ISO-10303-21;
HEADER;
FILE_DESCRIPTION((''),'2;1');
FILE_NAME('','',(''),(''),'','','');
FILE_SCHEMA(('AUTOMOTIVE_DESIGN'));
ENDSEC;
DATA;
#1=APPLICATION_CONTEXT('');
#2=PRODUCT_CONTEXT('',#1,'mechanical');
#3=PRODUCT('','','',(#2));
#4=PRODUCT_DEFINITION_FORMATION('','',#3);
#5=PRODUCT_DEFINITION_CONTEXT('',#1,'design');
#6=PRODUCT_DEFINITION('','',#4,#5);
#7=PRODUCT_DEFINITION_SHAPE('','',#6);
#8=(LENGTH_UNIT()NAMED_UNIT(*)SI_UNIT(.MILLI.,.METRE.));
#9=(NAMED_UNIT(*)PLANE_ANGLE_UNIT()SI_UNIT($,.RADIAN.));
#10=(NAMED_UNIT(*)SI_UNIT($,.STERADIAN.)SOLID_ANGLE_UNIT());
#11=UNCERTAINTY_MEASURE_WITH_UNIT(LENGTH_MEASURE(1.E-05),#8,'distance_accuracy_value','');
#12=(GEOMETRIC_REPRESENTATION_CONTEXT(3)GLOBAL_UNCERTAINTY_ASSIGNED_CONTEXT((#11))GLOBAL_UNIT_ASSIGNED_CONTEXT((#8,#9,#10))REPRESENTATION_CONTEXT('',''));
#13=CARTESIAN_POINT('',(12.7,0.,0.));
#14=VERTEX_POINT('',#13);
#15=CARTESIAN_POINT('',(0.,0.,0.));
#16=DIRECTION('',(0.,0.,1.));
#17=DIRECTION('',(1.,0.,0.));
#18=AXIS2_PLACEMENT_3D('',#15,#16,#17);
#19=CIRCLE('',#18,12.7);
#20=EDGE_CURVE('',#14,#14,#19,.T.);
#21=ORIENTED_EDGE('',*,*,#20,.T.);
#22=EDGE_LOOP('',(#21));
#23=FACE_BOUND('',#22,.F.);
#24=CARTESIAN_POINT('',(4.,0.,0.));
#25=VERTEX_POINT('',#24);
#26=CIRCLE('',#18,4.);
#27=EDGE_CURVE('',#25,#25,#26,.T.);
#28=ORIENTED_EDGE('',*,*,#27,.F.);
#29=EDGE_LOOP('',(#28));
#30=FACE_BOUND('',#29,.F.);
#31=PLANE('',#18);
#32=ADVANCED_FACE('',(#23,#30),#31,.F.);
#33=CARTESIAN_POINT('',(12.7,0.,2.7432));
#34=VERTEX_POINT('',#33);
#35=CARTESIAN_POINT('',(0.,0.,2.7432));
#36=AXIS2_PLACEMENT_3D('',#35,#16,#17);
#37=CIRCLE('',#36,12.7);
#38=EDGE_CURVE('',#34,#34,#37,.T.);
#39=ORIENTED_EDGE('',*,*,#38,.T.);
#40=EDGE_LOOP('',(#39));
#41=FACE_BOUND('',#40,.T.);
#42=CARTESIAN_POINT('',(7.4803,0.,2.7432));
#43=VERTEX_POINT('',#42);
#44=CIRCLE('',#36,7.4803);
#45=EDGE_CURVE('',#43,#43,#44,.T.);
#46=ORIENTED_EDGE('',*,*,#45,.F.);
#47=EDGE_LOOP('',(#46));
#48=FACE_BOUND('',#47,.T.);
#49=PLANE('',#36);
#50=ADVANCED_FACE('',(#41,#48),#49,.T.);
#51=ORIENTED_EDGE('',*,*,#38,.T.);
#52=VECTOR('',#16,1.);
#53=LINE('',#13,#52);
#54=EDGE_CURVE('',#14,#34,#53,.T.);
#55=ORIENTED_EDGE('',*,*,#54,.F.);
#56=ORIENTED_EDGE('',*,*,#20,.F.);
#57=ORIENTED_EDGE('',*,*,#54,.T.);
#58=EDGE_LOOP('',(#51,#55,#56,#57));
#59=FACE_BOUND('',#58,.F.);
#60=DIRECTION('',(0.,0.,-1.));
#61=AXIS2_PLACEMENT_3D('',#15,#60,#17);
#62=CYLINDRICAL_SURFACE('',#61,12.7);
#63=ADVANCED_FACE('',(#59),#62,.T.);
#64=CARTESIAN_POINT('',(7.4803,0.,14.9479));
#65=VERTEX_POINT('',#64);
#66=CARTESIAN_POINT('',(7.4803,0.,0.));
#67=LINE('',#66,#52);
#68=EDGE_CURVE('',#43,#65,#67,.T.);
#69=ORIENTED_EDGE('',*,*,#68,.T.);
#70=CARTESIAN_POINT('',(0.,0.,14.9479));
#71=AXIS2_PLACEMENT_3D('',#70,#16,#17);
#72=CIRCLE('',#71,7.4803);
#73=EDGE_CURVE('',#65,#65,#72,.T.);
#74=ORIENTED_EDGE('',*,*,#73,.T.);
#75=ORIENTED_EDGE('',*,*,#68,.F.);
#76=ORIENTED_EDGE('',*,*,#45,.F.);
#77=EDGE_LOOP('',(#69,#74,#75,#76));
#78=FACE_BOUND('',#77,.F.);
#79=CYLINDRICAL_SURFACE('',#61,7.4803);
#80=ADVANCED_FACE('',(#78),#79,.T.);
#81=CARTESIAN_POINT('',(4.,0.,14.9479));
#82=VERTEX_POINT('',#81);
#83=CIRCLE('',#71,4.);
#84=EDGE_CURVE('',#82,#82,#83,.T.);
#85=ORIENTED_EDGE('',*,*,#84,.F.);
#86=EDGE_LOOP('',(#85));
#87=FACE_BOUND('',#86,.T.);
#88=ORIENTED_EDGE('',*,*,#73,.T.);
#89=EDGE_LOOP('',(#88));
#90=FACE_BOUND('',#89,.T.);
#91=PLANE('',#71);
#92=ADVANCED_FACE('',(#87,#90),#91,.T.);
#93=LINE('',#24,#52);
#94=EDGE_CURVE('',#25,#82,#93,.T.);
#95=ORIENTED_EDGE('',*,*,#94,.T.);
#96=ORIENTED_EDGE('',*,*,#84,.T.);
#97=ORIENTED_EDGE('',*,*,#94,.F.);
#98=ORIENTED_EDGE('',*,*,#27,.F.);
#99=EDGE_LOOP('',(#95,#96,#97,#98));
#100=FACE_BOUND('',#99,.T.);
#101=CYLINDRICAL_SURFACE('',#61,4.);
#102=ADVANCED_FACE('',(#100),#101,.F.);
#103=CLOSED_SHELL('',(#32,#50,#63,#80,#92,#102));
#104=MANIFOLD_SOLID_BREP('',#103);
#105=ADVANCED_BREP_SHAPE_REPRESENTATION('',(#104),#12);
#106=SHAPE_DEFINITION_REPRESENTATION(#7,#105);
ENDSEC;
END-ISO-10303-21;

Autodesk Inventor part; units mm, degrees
ref_plane "YZ Plane" through (0, 0, 0) normal (1, 0, 0) x (0, 1, 0)
ref_plane "XZ Plane" through (0, 0, 0) normal (0, 1, 0) x (-1, 0, 0)
ref_plane "XY Plane" through (0, 0, 0) normal (0, 0, 1) x (1, 0, 0)
sketch "Sketch1" plane through (0, 0, 0) normal (0, 0, 1) x (1, 0, 0)
  circle A0 centre (0, 0) radius 12.7
  circle A1 centre (0, 0) radius 7.4803
  circle A2 centre (0, 0) radius 4
  dimension "d0" = 25.4
  dimension "d1" = 14.9606
  dimension "d2" = 8
extrude "Extrusion1" add sketch "Sketch1" along normal blind 14.9479 contours A1
extrude "Extrusion2" add sketch "Sketch1" along normal blind 2.7432 contours A0
properties part number "DriveSprocket" material "Steel"
